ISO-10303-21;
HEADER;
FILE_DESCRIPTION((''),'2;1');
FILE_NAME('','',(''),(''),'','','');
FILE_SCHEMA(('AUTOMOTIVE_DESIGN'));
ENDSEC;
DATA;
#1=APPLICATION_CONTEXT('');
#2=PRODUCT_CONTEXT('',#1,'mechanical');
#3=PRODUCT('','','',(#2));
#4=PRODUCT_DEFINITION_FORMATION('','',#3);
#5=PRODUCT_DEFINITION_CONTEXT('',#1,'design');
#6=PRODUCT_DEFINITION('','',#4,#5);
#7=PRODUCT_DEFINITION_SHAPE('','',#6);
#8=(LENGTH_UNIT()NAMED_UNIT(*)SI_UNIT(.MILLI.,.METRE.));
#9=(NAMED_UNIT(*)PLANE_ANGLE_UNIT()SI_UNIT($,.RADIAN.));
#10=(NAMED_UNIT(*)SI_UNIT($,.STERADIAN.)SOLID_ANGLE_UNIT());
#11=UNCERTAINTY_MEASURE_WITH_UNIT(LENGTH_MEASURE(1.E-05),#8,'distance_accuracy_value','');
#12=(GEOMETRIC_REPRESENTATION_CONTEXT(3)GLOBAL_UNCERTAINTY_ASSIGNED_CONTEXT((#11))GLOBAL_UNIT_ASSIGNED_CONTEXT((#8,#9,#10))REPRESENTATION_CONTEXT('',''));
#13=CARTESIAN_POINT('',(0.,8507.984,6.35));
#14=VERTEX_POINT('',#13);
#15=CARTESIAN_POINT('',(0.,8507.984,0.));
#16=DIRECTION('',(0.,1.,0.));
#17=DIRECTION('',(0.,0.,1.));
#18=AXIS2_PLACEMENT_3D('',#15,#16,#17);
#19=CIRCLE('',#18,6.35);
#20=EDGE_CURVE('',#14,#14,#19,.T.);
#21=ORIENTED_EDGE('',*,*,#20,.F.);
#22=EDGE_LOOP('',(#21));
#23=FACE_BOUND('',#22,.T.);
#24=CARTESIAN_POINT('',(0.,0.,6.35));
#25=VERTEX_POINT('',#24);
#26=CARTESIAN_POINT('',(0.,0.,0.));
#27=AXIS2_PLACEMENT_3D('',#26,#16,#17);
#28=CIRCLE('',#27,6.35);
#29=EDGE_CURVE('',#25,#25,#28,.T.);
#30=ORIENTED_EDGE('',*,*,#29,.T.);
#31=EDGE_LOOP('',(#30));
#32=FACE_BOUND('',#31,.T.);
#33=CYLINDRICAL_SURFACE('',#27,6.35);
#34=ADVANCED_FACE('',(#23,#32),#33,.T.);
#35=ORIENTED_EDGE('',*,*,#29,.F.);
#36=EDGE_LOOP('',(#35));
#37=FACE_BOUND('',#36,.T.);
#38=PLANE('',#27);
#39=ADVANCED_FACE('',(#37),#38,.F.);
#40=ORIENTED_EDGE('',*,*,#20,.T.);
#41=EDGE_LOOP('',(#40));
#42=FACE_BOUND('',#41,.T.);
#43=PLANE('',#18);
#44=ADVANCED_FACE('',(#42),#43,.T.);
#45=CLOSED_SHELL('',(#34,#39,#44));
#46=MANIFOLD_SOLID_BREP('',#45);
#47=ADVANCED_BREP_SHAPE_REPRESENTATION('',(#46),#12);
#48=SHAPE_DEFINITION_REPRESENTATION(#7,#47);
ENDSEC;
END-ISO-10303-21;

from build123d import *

# Parameters (mm, degrees)
SWEEP1_PROFILE_R = 6.35


with BuildPart() as part:
    # Sweep1: sweep along a path in Sketch1
    with BuildLine(Plane.XY) as sweep1_path:
        Line((0, 0), (0, 8507.984))
    # Sweep1 profile (on start of the path) → Sweep1 (sweep)
    with BuildSketch(Plane.ZX):
        Circle(SWEEP1_PROFILE_R)
    sweep(path=sweep1_path.line)


solid = part.part
